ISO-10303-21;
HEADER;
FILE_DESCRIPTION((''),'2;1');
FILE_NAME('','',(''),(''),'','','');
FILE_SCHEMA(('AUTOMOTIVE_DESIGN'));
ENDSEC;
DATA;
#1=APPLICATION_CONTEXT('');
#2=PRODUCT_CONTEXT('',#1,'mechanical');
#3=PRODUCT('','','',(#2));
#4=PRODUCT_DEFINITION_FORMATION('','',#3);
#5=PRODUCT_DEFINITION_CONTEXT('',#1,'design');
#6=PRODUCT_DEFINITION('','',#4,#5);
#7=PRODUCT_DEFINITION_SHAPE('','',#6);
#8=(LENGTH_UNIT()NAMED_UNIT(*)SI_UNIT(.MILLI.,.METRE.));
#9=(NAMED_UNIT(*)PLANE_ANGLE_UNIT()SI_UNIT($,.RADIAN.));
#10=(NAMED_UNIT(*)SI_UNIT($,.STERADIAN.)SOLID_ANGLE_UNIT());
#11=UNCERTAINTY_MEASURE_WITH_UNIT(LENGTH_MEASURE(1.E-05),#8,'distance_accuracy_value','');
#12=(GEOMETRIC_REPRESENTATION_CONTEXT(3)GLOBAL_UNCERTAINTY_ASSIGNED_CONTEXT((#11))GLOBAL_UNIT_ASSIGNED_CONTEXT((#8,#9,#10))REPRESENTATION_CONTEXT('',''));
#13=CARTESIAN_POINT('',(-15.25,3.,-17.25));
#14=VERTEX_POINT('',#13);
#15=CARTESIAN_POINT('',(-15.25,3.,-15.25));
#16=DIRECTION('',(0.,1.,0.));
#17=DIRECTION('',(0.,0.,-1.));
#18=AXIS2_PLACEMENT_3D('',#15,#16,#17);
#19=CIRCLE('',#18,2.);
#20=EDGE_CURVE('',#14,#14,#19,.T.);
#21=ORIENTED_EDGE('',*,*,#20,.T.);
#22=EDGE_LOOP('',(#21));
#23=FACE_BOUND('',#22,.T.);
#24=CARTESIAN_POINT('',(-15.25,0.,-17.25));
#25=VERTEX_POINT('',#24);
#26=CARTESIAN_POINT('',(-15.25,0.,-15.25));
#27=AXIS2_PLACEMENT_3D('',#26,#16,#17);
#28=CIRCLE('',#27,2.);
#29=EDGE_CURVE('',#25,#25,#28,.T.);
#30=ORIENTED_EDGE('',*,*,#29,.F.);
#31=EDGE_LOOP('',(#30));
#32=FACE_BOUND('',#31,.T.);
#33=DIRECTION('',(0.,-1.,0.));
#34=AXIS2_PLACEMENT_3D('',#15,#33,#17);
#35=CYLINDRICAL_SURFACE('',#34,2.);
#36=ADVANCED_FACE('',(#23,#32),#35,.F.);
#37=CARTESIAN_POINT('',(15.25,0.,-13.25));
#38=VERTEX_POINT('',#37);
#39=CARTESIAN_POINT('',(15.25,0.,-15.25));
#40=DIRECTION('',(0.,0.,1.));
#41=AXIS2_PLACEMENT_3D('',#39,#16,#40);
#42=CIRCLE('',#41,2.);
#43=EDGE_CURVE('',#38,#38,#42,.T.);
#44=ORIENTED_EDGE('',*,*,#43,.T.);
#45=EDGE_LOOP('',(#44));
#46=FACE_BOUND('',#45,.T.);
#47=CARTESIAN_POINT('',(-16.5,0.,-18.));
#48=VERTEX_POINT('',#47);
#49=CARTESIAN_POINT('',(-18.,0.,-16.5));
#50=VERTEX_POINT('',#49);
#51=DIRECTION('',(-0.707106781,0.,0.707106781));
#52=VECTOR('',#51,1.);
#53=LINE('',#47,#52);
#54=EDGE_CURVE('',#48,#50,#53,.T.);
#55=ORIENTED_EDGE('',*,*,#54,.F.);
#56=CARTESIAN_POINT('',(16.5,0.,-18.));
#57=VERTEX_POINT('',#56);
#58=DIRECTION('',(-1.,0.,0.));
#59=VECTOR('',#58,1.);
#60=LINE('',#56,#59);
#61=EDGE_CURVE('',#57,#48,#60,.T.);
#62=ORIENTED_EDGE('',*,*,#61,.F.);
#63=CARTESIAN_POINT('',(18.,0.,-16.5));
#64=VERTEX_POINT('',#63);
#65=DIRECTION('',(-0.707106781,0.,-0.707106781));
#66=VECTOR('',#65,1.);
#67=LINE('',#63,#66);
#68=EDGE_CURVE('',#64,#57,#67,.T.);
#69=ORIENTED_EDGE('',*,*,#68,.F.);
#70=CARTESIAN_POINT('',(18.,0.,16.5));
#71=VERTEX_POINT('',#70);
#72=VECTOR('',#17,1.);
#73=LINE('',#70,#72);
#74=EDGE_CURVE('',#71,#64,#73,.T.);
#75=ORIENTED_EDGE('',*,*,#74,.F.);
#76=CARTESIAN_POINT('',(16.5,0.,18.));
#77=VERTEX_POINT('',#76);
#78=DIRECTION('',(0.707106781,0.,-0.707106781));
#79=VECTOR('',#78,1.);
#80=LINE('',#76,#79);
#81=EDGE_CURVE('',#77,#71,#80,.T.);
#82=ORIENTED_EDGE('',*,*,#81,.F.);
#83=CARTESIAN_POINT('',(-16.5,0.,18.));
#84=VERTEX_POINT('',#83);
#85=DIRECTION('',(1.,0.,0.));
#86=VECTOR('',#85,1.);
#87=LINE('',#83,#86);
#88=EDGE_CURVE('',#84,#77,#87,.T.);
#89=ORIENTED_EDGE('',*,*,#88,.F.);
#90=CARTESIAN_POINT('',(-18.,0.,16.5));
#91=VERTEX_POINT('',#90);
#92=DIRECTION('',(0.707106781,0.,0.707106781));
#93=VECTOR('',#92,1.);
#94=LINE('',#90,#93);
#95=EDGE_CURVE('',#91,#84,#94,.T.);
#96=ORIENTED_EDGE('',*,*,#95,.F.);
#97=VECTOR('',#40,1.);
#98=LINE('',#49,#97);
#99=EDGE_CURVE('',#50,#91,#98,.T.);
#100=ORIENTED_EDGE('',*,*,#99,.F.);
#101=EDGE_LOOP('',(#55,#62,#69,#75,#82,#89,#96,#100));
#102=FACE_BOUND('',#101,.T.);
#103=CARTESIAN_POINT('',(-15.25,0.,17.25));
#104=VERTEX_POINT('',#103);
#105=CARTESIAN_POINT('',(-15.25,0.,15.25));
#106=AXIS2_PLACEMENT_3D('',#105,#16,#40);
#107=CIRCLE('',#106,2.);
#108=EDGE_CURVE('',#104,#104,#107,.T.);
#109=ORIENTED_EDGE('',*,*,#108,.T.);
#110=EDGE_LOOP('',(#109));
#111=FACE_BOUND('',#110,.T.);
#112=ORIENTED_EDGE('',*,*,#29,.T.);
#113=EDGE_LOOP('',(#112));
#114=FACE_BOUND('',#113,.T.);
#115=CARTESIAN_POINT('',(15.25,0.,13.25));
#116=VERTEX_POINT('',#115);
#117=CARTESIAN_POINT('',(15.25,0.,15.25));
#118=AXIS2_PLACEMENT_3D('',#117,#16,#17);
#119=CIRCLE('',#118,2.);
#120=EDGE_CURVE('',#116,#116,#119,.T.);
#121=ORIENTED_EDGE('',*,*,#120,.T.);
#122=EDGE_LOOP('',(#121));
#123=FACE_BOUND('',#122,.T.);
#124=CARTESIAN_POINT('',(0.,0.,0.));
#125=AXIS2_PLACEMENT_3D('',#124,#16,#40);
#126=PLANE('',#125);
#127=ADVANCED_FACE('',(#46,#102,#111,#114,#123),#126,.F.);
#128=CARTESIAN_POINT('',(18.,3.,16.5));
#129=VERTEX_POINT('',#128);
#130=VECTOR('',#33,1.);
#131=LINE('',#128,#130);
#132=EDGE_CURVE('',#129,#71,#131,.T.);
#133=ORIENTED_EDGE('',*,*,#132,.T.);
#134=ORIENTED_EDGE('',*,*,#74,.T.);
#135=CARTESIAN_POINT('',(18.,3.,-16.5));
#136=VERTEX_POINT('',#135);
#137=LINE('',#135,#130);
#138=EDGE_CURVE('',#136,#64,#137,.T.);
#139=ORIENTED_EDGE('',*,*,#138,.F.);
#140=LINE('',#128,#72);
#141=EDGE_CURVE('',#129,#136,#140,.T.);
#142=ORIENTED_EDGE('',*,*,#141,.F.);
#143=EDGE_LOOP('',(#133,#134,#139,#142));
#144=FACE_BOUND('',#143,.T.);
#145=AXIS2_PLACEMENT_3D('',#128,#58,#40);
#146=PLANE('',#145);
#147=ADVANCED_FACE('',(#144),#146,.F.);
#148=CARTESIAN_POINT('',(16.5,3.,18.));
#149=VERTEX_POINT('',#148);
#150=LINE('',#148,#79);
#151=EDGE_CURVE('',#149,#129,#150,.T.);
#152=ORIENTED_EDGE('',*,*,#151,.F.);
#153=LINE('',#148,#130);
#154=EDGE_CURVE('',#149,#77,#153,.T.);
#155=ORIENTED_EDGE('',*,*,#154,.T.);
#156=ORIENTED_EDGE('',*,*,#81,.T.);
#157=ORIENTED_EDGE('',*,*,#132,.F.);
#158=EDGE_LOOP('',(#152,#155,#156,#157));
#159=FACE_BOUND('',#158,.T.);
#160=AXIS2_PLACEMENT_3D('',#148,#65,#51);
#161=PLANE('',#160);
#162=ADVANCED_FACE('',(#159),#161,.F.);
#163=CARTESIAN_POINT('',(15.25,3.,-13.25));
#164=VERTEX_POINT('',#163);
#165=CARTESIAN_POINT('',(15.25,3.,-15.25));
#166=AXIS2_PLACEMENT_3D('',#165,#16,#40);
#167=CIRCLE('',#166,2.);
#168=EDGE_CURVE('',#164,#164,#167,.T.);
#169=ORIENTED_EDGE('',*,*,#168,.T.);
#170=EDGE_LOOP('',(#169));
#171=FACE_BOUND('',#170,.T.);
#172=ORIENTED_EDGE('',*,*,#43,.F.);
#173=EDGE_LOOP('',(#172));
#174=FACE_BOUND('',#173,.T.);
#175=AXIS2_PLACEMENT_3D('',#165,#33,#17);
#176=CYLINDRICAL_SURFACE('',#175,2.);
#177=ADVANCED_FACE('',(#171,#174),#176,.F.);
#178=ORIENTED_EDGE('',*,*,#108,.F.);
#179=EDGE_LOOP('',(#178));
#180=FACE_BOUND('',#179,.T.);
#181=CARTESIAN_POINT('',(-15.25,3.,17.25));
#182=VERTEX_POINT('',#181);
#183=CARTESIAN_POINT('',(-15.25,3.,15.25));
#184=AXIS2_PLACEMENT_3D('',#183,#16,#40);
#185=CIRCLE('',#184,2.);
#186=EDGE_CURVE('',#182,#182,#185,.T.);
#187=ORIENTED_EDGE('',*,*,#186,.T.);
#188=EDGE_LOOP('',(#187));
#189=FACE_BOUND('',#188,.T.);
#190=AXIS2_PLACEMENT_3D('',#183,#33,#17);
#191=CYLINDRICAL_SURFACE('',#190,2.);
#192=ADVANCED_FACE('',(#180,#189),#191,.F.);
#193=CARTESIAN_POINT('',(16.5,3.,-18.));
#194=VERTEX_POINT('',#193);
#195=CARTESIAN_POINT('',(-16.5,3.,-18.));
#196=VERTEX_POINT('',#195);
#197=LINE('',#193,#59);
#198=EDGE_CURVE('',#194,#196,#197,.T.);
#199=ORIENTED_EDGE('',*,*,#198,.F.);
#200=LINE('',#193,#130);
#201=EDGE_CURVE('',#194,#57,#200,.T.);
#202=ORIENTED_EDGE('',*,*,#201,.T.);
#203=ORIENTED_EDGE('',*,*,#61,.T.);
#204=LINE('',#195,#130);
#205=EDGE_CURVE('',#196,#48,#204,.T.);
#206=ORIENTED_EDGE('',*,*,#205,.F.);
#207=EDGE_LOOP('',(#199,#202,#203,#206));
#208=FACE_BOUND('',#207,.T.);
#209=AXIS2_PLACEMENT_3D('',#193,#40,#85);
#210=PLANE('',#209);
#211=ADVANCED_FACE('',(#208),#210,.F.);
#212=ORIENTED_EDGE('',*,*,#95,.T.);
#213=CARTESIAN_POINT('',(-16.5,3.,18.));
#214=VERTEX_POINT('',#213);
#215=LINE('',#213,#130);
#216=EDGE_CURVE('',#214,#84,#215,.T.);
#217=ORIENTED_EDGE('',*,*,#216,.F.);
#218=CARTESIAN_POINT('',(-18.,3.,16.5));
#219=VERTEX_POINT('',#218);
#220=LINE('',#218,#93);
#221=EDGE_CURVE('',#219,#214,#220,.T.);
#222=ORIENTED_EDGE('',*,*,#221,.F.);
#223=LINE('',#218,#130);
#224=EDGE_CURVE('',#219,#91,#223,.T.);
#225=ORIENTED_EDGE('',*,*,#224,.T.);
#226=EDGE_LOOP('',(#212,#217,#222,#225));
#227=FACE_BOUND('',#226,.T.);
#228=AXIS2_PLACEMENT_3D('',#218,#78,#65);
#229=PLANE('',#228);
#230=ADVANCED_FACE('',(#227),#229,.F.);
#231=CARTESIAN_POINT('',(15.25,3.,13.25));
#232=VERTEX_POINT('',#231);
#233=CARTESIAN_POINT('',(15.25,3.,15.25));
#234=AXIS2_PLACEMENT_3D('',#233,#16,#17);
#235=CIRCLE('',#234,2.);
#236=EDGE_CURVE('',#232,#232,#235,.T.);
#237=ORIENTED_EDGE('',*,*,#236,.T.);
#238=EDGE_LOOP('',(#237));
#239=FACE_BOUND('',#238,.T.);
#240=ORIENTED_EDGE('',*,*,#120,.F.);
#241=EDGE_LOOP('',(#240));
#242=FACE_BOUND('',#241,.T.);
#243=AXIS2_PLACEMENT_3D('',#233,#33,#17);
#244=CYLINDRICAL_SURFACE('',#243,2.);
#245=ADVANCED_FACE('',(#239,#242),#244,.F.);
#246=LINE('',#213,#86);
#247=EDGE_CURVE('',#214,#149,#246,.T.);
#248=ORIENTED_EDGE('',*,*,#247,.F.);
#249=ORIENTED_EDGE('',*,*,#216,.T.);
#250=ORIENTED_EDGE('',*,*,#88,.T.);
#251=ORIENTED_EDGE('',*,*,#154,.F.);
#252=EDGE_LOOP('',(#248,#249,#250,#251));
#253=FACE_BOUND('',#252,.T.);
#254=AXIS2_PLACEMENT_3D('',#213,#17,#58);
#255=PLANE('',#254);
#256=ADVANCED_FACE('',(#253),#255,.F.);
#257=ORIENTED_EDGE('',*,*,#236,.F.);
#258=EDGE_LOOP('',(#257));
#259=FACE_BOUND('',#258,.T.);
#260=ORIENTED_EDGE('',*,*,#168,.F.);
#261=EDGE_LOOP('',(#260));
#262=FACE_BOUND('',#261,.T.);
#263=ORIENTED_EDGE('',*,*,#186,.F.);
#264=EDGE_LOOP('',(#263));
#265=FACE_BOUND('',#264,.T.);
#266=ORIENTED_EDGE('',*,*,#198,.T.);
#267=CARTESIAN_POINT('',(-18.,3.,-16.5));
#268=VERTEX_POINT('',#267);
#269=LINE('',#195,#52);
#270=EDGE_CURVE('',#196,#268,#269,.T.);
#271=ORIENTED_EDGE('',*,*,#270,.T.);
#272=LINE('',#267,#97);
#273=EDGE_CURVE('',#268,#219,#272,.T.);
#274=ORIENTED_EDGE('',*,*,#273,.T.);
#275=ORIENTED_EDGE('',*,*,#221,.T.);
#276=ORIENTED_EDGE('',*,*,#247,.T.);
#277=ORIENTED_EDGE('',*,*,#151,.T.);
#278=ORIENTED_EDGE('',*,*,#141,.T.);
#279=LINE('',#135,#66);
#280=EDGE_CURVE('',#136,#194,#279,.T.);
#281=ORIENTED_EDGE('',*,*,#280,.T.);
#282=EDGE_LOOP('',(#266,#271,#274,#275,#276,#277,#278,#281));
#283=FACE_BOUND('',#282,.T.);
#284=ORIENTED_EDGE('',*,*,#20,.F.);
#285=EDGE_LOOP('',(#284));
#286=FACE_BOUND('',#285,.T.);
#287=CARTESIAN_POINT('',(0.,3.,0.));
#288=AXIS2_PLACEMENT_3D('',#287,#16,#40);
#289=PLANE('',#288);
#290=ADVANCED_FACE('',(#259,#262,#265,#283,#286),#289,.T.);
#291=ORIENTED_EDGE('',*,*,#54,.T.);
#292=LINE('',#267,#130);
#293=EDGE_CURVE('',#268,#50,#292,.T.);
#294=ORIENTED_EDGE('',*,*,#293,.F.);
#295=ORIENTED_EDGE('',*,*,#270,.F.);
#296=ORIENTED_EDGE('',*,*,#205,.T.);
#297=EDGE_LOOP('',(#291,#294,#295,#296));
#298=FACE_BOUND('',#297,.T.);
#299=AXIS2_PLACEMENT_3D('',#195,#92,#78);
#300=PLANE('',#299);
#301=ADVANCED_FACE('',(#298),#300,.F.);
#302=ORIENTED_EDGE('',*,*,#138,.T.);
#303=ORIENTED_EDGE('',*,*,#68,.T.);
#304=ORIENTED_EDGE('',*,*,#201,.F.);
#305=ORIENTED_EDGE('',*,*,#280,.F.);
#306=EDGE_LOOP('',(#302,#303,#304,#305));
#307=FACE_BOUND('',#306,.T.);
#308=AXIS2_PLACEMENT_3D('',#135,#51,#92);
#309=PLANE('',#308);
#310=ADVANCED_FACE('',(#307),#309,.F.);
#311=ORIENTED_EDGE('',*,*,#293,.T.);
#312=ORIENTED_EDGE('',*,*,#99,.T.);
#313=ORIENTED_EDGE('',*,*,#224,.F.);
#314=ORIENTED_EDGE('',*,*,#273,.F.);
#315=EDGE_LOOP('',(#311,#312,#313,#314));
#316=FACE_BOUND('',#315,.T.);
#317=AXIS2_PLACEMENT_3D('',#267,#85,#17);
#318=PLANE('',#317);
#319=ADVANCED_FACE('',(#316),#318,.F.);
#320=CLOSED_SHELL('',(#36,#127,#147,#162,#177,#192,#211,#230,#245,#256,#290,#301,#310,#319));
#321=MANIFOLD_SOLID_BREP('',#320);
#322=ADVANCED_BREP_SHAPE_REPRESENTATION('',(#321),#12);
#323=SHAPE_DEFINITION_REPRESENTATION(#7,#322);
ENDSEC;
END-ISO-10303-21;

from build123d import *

# Parameters (mm, degrees)
SKETCH_1_R      = 2
EXTRUDE_1_DEPTH = 3


with BuildPart() as part:
    # 草图1 → 凸台-拉伸1 (new body)
    with BuildSketch(Plane(origin=(0, 0, 0), x_dir=(1, 0, 0), z_dir=(0, 1, 0))):
        Polygon((-16.5, -18), (16.5, -18), (18, -16.5), (18, 16.5), (16.5, 18), (-16.5, 18), (-18, 16.5), (-18, -16.5), align=None)
        with Locations(Location((15.25, 15.25, 0), (0, 0, 270))):
            Circle(SKETCH_1_R, mode=Mode.SUBTRACT)
        with Locations(Location((-15.25, 15.25, 0), (0, 0, 90))):
            Circle(SKETCH_1_R, mode=Mode.SUBTRACT)
        with Locations(Location((15.25, -15.25, 0), (0, 0, 90))):
            Circle(SKETCH_1_R, mode=Mode.SUBTRACT)
        with Locations(Location((-15.25, -15.25, 0), (0, 0, 270))):
            Circle(SKETCH_1_R, mode=Mode.SUBTRACT)
    extrude(amount=EXTRUDE_1_DEPTH)


solid = part.part
